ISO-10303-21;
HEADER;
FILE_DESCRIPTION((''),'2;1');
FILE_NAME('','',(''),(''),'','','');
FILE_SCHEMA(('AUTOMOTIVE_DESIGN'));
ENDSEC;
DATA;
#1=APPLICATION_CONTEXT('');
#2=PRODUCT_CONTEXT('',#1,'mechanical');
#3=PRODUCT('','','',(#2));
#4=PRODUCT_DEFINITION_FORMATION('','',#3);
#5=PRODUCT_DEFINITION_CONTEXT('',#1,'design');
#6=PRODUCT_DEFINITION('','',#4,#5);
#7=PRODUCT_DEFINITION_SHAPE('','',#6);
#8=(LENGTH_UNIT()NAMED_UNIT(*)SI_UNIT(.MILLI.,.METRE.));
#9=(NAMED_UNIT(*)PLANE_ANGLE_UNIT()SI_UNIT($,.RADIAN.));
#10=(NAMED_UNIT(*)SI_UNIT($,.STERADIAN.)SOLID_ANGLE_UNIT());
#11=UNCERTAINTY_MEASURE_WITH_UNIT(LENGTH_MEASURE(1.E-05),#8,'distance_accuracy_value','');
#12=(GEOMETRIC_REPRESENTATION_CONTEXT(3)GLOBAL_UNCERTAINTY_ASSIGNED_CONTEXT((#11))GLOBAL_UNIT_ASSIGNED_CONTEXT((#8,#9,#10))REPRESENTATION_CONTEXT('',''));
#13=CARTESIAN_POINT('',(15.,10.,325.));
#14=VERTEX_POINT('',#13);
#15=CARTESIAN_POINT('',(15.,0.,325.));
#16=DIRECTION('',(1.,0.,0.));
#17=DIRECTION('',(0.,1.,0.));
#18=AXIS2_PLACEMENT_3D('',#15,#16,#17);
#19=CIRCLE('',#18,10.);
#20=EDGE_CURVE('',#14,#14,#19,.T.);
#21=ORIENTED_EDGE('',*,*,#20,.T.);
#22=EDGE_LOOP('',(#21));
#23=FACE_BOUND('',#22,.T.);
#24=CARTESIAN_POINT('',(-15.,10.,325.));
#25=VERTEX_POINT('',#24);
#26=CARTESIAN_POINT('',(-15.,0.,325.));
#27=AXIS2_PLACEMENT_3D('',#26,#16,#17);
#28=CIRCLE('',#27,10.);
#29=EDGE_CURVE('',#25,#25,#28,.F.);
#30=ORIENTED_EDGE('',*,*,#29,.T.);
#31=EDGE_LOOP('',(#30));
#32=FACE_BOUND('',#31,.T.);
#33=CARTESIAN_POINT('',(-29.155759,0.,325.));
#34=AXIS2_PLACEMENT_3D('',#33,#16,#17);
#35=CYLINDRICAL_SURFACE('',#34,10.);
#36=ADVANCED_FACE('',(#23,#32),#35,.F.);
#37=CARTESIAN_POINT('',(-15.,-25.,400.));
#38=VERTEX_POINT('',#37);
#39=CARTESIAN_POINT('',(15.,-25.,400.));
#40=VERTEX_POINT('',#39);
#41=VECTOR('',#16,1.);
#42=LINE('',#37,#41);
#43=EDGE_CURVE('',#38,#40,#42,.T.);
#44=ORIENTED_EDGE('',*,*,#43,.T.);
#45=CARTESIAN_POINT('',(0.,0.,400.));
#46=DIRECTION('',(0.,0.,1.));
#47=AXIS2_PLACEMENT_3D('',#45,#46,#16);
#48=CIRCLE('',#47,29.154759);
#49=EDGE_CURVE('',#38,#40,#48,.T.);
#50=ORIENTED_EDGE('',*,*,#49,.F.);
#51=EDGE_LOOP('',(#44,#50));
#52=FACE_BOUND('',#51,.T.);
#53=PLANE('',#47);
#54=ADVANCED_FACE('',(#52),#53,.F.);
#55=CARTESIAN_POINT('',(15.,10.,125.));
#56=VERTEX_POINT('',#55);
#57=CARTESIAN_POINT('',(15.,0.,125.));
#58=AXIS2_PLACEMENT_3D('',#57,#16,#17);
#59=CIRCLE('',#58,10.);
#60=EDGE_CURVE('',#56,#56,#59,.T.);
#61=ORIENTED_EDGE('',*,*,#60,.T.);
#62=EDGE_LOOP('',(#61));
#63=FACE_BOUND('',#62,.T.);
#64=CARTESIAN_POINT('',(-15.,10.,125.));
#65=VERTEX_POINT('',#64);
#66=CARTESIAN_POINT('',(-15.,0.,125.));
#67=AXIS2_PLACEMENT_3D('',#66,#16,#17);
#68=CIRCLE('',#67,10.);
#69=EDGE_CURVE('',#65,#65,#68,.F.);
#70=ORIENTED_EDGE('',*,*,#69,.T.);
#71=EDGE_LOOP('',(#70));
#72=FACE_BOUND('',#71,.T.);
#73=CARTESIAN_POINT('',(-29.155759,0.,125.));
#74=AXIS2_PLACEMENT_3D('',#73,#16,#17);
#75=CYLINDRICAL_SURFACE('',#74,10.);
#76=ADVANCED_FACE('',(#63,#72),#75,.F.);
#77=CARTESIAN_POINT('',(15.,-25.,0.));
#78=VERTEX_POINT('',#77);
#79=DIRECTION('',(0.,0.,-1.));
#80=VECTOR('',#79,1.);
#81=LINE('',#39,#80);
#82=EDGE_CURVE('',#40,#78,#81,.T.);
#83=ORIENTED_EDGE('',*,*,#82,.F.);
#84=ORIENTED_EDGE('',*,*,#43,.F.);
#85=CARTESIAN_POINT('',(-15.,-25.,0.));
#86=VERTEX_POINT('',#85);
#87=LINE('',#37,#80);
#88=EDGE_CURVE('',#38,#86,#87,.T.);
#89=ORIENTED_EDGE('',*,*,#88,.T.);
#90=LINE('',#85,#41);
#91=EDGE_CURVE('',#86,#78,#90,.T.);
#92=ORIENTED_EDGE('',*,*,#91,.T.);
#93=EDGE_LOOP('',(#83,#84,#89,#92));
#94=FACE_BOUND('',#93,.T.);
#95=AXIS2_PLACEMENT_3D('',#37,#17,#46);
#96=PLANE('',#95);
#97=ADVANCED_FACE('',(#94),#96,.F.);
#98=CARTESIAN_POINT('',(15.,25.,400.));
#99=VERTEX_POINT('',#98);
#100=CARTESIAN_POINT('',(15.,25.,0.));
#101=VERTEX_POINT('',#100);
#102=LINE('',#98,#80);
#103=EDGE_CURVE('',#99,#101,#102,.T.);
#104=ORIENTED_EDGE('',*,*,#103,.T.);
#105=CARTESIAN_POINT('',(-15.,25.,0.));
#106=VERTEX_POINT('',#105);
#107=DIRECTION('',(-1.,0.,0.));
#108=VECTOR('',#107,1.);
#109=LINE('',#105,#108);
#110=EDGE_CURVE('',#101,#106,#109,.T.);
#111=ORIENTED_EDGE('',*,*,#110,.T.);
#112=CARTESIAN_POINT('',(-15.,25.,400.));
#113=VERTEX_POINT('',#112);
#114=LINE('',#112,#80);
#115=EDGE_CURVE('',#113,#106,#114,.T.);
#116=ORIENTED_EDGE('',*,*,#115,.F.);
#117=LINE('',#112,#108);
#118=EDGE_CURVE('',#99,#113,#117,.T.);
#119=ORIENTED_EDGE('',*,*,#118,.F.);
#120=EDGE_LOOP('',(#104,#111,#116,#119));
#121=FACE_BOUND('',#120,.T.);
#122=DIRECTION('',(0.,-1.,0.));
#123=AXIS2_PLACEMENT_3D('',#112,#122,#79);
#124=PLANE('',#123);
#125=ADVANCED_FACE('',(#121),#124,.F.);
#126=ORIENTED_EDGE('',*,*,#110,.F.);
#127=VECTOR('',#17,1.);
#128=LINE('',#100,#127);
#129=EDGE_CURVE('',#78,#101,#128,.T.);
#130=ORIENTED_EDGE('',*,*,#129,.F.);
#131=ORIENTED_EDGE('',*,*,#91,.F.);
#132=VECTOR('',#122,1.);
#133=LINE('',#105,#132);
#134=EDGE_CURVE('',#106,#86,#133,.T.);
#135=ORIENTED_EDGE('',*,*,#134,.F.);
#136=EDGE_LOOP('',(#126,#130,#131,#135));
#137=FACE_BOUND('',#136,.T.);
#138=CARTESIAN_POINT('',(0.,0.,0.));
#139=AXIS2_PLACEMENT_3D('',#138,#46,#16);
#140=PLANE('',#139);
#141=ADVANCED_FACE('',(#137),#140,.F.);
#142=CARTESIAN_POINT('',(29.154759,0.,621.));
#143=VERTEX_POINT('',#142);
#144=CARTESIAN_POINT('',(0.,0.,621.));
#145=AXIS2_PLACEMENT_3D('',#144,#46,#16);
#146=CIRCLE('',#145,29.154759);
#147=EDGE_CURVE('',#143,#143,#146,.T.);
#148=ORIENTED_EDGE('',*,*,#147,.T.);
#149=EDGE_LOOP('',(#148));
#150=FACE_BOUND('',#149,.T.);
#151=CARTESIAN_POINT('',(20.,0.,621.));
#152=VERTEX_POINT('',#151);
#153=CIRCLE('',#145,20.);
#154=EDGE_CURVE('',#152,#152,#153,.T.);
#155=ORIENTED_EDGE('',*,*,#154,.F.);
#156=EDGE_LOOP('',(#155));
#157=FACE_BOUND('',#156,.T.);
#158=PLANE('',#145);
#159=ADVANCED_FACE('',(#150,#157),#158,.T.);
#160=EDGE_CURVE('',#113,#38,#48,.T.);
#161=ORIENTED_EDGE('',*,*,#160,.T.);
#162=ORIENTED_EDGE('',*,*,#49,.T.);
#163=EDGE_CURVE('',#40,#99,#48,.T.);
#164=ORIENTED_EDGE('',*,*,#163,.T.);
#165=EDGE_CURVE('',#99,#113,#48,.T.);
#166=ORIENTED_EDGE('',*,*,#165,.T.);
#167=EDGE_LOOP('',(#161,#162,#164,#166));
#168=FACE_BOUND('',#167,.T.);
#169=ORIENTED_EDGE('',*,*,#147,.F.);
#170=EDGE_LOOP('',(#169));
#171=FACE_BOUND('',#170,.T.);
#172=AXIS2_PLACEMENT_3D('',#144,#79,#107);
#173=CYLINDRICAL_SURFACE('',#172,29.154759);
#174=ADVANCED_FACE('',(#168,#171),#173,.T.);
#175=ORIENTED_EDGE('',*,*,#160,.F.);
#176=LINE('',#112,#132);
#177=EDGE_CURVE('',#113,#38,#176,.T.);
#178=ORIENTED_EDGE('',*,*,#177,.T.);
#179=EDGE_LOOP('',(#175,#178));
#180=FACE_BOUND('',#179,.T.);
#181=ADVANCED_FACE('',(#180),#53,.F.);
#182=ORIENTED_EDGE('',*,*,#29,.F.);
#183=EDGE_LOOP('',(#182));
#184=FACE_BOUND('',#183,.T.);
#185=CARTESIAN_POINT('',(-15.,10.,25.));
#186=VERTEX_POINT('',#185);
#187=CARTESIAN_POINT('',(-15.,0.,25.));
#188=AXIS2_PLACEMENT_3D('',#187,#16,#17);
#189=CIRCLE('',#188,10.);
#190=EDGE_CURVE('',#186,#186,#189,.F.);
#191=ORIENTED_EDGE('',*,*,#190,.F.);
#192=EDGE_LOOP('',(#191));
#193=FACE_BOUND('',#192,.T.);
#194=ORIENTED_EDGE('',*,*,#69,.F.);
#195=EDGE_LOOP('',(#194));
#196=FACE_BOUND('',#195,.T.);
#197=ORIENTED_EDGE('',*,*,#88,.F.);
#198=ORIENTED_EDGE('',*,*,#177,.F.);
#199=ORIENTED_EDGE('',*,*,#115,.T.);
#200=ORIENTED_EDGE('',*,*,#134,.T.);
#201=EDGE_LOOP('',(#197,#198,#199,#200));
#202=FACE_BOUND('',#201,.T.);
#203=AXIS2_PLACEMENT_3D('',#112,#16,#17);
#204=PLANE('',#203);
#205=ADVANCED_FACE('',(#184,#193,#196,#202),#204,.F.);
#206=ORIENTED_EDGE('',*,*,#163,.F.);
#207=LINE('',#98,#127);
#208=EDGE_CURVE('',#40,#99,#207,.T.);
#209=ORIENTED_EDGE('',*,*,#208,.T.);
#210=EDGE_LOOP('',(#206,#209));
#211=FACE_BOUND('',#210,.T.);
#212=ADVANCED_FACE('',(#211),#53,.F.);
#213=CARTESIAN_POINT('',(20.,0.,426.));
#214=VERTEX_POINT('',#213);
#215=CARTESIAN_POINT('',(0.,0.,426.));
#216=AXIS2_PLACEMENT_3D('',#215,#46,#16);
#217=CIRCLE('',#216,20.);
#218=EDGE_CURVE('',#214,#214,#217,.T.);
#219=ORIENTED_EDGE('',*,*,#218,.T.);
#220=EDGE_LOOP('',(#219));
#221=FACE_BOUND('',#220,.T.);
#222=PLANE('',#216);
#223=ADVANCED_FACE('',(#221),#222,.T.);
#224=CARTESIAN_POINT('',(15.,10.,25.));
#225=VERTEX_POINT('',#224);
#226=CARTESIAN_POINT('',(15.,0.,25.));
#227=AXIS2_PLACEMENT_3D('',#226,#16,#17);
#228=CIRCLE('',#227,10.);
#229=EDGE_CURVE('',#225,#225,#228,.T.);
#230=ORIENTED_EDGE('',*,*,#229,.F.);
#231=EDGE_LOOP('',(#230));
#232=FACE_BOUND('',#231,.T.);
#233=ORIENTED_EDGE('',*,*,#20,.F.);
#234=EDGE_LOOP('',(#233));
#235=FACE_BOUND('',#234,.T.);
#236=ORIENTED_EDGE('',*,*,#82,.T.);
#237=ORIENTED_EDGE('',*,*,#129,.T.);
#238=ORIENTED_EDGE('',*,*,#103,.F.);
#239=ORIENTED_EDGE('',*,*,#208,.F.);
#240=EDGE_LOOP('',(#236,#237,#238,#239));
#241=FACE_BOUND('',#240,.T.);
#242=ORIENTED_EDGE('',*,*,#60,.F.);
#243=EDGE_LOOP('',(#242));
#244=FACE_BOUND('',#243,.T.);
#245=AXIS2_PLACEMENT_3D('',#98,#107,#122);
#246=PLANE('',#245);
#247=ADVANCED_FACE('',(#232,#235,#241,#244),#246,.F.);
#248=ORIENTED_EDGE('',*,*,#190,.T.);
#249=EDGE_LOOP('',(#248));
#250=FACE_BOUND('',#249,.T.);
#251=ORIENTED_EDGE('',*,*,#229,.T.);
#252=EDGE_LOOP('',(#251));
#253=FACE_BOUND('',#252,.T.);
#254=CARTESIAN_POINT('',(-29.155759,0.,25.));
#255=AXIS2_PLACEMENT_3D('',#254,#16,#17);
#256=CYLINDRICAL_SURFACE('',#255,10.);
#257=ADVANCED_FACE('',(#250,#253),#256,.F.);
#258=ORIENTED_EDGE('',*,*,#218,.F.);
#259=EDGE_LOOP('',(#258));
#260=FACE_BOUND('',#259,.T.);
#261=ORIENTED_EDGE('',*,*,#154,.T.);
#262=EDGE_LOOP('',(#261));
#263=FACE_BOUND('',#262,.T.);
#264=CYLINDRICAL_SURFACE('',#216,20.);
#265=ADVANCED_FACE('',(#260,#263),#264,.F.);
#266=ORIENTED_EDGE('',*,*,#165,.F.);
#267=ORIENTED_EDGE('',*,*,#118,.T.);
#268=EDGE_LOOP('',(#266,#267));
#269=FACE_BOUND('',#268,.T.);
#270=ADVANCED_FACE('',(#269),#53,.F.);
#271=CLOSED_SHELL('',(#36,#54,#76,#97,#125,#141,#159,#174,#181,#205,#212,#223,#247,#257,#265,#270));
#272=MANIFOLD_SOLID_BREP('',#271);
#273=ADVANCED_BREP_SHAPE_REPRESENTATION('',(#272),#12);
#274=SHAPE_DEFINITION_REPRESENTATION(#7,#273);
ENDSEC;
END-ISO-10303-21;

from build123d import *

# Parameters (mm, degrees)
ESQUISSE1_W             = 30
ESQUISSE1_H             = 50
BOSS_EXTRU_1_DEPTH      = 400
ESQUISSE2_R             = 29.154759474
BOSS_EXTRU_2_DEPTH      = 221
ESQUISSE3_R             = 20
ENL_V_MAT_EXTRU_1_DEPTH = 195
ENL_V_MAT_EXTRU_2_REACH = 625.25
ESQUISSE4_R             = 10


with BuildPart() as part:
    # Esquisse1 → Boss.-Extru.1 (new body)
    with BuildSketch(Plane.XY):
        Rectangle(ESQUISSE1_W, ESQUISSE1_H)
    extrude(amount=BOSS_EXTRU_1_DEPTH)

    # Esquisse2 → Boss.-Extru.2 (add)
    with BuildSketch(Plane.XY.offset(400)):
        with Locations(Location((0, 0, 0), (0, 0, 120.963756532))):
            Circle(ESQUISSE2_R)
    extrude(amount=BOSS_EXTRU_2_DEPTH)

    # Esquisse3 → Enlèv. mat.-Extru.1 (cut)
    with BuildSketch(Plane.XY.offset(621)):
        Circle(ESQUISSE3_R)
    extrude(amount=-ENL_V_MAT_EXTRU_1_DEPTH, mode=Mode.SUBTRACT)

    # Esquisse4 → Enlèv. mat.-Extru.2 (cut, up to next)
    with BuildSketch(Plane(origin=(15, 0, 0), x_dir=(0, 0, -1), z_dir=(1, 0, 0)), mode=Mode.PRIVATE) as enl_v_mat_extru_2_sk1:
        with Locations(Location((-25, 0, 0), (0, 0, 90))):
            Circle(ESQUISSE4_R)
    enl_v_mat_extru_2_tool1 = extrude(enl_v_mat_extru_2_sk1.sketch, amount=-ENL_V_MAT_EXTRU_2_REACH, mode=Mode.PRIVATE) & part.part
    # Esquisse4 → Enlèv. mat.-Extru.2 (cut, up to next)
    with BuildSketch(Plane(origin=(15, 0, 0), x_dir=(0, 0, -1), z_dir=(1, 0, 0)), mode=Mode.PRIVATE) as enl_v_mat_extru_2_sk2:
        with Locations(Location((-125, 0, 0), (0, 0, 90))):
            Circle(ESQUISSE4_R)
    enl_v_mat_extru_2_tool2 = extrude(enl_v_mat_extru_2_sk2.sketch, amount=-ENL_V_MAT_EXTRU_2_REACH, mode=Mode.PRIVATE) & part.part
    # Esquisse4 → Enlèv. mat.-Extru.2 (cut, up to next)
    with BuildSketch(Plane(origin=(15, 0, 0), x_dir=(0, 0, -1), z_dir=(1, 0, 0)), mode=Mode.PRIVATE) as enl_v_mat_extru_2_sk3:
        with Locations(Location((-325, 0, 0), (0, 0, 90))):
            Circle(ESQUISSE4_R)
    enl_v_mat_extru_2_tool3 = extrude(enl_v_mat_extru_2_sk3.sketch, amount=-ENL_V_MAT_EXTRU_2_REACH, mode=Mode.PRIVATE) & part.part
    add(enl_v_mat_extru_2_tool1.solids().sort_by_distance((15, 0, 25))[0], mode=Mode.SUBTRACT)
    add(enl_v_mat_extru_2_tool2.solids().sort_by_distance((15, 0, 125))[0], mode=Mode.SUBTRACT)
    add(enl_v_mat_extru_2_tool3.solids().sort_by_distance((15, 0, 325))[0], mode=Mode.SUBTRACT)


solid = part.part
